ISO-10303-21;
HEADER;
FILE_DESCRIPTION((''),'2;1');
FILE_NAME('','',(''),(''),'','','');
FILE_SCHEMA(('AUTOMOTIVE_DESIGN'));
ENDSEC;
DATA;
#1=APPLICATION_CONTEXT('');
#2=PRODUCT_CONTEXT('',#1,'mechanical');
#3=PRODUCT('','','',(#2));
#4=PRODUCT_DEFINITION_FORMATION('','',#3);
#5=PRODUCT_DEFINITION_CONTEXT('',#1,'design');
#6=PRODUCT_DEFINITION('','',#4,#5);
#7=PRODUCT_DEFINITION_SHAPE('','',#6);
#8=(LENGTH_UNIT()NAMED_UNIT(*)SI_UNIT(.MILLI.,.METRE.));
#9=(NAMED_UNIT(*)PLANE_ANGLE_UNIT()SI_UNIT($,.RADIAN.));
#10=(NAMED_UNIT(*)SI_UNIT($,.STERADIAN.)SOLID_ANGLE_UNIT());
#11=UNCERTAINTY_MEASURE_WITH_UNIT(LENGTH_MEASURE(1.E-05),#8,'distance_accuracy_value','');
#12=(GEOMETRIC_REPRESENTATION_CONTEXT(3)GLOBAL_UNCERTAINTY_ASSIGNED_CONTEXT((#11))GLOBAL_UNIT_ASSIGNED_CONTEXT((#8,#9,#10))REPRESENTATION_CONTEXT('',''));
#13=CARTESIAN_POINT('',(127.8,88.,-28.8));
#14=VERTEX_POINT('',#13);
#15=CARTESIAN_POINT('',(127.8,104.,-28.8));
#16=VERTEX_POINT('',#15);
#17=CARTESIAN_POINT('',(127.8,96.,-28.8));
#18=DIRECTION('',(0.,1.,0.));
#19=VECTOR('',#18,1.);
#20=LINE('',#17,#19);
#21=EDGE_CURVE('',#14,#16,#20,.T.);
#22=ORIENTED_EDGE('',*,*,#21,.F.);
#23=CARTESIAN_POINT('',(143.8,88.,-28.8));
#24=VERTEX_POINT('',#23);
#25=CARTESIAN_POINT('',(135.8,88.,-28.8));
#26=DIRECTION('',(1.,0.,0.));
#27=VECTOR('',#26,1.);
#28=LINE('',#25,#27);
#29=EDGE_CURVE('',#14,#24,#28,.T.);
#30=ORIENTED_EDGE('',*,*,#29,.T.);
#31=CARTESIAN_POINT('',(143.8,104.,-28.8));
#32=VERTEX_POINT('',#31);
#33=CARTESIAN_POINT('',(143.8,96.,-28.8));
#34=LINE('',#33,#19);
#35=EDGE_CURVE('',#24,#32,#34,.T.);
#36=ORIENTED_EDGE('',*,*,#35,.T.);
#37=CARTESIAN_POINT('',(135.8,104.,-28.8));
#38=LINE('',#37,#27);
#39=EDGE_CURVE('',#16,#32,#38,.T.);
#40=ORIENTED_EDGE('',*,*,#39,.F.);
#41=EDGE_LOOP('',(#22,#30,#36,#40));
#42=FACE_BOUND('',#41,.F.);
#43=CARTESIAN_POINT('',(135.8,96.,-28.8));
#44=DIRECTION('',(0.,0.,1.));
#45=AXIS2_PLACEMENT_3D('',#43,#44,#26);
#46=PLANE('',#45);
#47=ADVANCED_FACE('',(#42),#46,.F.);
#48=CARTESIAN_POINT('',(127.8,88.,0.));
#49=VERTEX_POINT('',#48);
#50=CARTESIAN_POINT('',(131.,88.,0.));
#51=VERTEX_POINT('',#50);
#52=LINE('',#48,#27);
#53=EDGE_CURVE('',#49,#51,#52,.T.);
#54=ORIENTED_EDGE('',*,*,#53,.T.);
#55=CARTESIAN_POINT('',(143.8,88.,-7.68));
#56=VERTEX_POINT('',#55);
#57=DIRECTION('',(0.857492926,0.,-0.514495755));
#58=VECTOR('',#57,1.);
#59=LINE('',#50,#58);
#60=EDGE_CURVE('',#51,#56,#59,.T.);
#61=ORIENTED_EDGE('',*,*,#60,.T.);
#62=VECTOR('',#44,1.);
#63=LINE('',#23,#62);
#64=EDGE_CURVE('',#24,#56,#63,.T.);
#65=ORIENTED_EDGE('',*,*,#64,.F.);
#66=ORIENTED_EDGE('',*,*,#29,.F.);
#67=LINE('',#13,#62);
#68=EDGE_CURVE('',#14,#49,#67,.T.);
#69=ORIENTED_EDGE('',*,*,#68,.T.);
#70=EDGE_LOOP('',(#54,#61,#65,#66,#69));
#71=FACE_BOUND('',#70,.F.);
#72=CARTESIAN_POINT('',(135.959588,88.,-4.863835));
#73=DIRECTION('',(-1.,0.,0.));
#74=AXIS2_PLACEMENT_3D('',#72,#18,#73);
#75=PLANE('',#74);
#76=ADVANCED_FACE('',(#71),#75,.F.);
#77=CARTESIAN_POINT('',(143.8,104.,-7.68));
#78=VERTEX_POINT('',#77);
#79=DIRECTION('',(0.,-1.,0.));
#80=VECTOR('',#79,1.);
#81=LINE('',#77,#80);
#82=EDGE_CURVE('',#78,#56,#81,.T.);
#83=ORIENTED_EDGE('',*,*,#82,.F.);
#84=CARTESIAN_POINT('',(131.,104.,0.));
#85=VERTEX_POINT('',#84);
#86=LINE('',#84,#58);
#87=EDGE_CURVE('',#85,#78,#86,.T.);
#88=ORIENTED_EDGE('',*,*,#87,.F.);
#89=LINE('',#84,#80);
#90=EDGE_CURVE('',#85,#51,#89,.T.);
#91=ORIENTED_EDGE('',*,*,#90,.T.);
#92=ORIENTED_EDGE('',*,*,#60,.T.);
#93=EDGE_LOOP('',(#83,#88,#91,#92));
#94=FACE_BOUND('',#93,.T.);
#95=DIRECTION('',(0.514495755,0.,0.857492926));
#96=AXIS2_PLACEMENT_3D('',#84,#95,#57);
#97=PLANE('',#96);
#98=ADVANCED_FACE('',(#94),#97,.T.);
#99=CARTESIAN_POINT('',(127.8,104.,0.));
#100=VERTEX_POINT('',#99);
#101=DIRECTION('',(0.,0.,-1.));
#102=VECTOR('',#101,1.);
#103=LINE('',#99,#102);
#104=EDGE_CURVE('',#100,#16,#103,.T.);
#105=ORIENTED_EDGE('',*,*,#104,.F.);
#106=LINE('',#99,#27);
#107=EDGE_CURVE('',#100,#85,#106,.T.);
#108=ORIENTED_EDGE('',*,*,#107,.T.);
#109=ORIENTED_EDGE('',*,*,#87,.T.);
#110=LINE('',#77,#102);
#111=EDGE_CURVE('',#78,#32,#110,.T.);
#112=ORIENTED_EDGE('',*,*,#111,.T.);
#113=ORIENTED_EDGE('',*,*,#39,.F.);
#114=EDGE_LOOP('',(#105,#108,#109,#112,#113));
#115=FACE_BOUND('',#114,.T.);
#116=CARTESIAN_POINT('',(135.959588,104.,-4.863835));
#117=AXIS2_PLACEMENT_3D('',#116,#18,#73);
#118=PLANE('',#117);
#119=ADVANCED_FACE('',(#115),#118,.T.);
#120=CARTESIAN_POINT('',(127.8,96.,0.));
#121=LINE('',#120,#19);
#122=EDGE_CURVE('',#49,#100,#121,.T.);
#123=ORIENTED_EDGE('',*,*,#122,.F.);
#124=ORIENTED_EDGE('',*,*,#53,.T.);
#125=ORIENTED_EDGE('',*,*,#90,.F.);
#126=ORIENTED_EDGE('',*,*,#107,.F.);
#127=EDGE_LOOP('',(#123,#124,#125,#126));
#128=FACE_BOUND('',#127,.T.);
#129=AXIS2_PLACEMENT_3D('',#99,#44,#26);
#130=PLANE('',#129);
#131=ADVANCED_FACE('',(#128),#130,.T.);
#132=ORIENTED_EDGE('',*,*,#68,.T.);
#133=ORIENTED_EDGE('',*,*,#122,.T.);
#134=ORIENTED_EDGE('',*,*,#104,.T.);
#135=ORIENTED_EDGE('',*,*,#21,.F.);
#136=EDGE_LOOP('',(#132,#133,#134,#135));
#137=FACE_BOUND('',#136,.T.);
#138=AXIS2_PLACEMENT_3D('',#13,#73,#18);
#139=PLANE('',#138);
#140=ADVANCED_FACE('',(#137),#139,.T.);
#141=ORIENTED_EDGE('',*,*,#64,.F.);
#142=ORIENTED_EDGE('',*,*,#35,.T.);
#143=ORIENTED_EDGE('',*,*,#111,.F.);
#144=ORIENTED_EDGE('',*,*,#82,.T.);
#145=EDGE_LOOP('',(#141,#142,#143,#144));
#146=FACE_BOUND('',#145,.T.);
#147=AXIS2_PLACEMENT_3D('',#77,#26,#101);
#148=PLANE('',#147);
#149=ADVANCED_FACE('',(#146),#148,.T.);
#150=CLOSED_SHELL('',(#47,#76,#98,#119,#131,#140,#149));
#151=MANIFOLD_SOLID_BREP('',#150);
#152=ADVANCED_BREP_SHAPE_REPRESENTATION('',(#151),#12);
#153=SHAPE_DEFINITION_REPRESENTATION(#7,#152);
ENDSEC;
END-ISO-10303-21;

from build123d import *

# Parameters (mm, degrees)
SKETCH008_W     = 16
SKETCH008_H     = 16
PAD006_DEPTH    = 28.8
POCKET002_DEPTH = 16
PAD129_DEPTH    = 16


with BuildPart() as part:
    # Sketch008 (on Face80 of Binder002) → Pad006 (new body)
    with BuildSketch(Plane.XY.offset(-28.8)):
        with Locations((135.8, 96)):
            Rectangle(SKETCH008_W, SKETCH008_H)
    extrude(amount=PAD006_DEPTH)

    # Sketch009 (on Face2 of Pad006) → Pocket002 (cut)
    with BuildSketch(Plane.XZ.offset(-88)):
        Polygon((143.8, -9.6), (127.8, 0), (143.8, 0), align=None)
    extrude(amount=-POCKET002_DEPTH, mode=Mode.SUBTRACT)

    # Sketch129 (on Face2 of Pocket002) → Pad129 (join)
    with BuildSketch(Plane(origin=(0, 104, 0), x_dir=(-1, 0, 0), z_dir=(0, 1, 0))):
        Polygon((-127.8, 0), (-131, 0), (-143.8, -7.68), (-143.8, -10.88), (-131, -3.2), (-127.8, -3.2), align=None)
    extrude(amount=-PAD129_DEPTH)


solid = part.part
